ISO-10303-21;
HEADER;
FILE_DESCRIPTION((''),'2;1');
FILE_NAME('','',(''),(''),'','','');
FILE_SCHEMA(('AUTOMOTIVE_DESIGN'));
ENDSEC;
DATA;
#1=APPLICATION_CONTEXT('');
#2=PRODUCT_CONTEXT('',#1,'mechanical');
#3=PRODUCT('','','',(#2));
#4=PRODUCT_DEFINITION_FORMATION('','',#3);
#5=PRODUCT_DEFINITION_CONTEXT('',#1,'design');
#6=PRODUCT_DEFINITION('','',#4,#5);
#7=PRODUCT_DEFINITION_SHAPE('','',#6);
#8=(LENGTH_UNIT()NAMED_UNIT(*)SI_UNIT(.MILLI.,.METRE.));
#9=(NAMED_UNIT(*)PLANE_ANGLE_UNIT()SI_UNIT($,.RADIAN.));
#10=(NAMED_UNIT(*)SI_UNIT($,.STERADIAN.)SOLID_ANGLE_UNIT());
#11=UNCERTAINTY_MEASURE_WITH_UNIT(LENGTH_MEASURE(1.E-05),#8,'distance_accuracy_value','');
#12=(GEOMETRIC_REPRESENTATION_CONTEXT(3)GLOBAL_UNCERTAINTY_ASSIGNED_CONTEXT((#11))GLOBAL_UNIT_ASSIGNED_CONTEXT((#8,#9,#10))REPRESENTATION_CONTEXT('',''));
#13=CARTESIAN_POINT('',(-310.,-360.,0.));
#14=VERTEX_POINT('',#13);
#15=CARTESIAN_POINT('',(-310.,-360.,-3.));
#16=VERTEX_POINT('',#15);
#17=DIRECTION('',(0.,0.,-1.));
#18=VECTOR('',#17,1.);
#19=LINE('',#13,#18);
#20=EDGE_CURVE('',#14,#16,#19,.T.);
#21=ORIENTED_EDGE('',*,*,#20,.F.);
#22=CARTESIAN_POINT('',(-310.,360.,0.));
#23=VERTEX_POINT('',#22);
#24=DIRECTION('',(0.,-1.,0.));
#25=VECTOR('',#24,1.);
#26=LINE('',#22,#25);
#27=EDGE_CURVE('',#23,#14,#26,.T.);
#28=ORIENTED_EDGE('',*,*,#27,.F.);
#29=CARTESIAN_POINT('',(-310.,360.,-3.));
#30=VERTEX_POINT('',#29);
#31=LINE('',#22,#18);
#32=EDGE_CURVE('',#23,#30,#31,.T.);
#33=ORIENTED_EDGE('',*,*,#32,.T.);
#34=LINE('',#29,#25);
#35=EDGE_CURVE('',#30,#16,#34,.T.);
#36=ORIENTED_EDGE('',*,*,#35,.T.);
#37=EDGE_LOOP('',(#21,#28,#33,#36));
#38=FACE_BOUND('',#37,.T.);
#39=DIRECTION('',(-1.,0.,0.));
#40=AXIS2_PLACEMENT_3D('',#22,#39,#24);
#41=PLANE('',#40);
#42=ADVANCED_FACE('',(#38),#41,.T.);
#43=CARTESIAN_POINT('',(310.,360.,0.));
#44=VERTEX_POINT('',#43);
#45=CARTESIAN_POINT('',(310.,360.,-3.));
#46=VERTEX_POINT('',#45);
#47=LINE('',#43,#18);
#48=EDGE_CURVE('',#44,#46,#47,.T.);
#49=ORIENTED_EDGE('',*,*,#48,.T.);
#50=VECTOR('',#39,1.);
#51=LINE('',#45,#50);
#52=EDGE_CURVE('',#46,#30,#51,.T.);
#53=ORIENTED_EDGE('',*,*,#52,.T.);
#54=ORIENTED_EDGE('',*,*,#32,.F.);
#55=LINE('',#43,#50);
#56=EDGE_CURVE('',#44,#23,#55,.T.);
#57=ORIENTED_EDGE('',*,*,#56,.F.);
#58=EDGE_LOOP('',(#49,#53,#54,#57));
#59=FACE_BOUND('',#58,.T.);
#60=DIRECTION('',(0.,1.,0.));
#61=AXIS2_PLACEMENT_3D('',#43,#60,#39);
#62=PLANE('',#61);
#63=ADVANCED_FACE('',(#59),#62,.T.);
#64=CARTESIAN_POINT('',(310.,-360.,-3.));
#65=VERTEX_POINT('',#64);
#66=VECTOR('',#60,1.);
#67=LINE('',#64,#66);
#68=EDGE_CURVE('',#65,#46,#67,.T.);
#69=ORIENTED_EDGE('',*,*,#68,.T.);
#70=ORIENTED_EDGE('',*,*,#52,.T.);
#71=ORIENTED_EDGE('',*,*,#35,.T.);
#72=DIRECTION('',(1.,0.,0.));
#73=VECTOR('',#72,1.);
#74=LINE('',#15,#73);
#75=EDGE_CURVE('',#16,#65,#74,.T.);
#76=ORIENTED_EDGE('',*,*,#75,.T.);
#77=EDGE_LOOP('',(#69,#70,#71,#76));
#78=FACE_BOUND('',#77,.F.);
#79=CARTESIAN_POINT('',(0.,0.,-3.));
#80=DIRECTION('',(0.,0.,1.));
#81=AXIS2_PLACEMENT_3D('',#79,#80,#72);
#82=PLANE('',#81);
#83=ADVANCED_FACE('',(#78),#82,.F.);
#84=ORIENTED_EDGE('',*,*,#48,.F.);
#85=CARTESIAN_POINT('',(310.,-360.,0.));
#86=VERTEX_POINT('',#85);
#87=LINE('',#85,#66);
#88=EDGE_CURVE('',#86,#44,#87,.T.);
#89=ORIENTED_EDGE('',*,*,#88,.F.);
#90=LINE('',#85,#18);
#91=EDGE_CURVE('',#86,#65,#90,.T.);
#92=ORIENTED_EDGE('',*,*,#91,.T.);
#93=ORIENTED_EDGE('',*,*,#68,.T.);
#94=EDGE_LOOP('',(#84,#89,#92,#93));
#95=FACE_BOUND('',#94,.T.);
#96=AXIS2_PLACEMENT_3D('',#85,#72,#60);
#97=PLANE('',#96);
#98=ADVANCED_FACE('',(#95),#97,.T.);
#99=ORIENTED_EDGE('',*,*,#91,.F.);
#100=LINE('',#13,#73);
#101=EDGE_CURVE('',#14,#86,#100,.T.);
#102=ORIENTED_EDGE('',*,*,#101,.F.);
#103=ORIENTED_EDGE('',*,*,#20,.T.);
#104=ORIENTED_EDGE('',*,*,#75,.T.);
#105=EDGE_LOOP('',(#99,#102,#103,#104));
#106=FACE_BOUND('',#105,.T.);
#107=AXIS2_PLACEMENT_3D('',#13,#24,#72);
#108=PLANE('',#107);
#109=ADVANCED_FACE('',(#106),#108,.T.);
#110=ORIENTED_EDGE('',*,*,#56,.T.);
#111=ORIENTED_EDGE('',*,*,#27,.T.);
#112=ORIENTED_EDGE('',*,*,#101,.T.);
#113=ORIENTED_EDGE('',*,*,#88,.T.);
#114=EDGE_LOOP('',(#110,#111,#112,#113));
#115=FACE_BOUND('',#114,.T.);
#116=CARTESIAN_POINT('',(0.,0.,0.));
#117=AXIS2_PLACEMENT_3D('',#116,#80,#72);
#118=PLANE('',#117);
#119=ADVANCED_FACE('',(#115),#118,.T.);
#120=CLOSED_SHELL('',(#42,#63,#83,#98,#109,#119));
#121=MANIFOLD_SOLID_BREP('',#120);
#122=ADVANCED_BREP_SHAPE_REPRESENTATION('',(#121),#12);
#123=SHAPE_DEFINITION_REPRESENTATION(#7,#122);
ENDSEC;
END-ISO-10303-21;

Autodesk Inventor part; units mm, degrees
ref_plane "YZ Plane" through (0, 0, 0) normal (1, 0, 0) x (0, 1, 0)
ref_plane "XZ Plane" through (0, 0, 0) normal (0, 1, 0) x (-1, 0, 0)
ref_plane "XY Plane" through (0, 0, 0) normal (0, 0, 1) x (1, 0, 0)
sketch "Sketch1" plane through (0, 0, 0) normal (0, 0, 1) x (1, 0, 0)
  line L0 (-310, -360) -> (310, -360)
  line L1 (310, -360) -> (310, 360)
  line L2 (310, 360) -> (-310, 360)
  line L3 (-310, 360) -> (-310, -360)
  line L4 (-310, -360) -> (310, 360) construction
  line L5 (310, -360) -> (-310, 360) construction
  point P0 (0, 0)
  dimension "d0" = 620
  dimension "d1" = 720
extrude "Extrusion1" add sketch "Sketch1" against normal blind 3
properties part number "RT_FRM_V5_MC_01_DynamicsLeft" material "Polycarbonate, Clear"
